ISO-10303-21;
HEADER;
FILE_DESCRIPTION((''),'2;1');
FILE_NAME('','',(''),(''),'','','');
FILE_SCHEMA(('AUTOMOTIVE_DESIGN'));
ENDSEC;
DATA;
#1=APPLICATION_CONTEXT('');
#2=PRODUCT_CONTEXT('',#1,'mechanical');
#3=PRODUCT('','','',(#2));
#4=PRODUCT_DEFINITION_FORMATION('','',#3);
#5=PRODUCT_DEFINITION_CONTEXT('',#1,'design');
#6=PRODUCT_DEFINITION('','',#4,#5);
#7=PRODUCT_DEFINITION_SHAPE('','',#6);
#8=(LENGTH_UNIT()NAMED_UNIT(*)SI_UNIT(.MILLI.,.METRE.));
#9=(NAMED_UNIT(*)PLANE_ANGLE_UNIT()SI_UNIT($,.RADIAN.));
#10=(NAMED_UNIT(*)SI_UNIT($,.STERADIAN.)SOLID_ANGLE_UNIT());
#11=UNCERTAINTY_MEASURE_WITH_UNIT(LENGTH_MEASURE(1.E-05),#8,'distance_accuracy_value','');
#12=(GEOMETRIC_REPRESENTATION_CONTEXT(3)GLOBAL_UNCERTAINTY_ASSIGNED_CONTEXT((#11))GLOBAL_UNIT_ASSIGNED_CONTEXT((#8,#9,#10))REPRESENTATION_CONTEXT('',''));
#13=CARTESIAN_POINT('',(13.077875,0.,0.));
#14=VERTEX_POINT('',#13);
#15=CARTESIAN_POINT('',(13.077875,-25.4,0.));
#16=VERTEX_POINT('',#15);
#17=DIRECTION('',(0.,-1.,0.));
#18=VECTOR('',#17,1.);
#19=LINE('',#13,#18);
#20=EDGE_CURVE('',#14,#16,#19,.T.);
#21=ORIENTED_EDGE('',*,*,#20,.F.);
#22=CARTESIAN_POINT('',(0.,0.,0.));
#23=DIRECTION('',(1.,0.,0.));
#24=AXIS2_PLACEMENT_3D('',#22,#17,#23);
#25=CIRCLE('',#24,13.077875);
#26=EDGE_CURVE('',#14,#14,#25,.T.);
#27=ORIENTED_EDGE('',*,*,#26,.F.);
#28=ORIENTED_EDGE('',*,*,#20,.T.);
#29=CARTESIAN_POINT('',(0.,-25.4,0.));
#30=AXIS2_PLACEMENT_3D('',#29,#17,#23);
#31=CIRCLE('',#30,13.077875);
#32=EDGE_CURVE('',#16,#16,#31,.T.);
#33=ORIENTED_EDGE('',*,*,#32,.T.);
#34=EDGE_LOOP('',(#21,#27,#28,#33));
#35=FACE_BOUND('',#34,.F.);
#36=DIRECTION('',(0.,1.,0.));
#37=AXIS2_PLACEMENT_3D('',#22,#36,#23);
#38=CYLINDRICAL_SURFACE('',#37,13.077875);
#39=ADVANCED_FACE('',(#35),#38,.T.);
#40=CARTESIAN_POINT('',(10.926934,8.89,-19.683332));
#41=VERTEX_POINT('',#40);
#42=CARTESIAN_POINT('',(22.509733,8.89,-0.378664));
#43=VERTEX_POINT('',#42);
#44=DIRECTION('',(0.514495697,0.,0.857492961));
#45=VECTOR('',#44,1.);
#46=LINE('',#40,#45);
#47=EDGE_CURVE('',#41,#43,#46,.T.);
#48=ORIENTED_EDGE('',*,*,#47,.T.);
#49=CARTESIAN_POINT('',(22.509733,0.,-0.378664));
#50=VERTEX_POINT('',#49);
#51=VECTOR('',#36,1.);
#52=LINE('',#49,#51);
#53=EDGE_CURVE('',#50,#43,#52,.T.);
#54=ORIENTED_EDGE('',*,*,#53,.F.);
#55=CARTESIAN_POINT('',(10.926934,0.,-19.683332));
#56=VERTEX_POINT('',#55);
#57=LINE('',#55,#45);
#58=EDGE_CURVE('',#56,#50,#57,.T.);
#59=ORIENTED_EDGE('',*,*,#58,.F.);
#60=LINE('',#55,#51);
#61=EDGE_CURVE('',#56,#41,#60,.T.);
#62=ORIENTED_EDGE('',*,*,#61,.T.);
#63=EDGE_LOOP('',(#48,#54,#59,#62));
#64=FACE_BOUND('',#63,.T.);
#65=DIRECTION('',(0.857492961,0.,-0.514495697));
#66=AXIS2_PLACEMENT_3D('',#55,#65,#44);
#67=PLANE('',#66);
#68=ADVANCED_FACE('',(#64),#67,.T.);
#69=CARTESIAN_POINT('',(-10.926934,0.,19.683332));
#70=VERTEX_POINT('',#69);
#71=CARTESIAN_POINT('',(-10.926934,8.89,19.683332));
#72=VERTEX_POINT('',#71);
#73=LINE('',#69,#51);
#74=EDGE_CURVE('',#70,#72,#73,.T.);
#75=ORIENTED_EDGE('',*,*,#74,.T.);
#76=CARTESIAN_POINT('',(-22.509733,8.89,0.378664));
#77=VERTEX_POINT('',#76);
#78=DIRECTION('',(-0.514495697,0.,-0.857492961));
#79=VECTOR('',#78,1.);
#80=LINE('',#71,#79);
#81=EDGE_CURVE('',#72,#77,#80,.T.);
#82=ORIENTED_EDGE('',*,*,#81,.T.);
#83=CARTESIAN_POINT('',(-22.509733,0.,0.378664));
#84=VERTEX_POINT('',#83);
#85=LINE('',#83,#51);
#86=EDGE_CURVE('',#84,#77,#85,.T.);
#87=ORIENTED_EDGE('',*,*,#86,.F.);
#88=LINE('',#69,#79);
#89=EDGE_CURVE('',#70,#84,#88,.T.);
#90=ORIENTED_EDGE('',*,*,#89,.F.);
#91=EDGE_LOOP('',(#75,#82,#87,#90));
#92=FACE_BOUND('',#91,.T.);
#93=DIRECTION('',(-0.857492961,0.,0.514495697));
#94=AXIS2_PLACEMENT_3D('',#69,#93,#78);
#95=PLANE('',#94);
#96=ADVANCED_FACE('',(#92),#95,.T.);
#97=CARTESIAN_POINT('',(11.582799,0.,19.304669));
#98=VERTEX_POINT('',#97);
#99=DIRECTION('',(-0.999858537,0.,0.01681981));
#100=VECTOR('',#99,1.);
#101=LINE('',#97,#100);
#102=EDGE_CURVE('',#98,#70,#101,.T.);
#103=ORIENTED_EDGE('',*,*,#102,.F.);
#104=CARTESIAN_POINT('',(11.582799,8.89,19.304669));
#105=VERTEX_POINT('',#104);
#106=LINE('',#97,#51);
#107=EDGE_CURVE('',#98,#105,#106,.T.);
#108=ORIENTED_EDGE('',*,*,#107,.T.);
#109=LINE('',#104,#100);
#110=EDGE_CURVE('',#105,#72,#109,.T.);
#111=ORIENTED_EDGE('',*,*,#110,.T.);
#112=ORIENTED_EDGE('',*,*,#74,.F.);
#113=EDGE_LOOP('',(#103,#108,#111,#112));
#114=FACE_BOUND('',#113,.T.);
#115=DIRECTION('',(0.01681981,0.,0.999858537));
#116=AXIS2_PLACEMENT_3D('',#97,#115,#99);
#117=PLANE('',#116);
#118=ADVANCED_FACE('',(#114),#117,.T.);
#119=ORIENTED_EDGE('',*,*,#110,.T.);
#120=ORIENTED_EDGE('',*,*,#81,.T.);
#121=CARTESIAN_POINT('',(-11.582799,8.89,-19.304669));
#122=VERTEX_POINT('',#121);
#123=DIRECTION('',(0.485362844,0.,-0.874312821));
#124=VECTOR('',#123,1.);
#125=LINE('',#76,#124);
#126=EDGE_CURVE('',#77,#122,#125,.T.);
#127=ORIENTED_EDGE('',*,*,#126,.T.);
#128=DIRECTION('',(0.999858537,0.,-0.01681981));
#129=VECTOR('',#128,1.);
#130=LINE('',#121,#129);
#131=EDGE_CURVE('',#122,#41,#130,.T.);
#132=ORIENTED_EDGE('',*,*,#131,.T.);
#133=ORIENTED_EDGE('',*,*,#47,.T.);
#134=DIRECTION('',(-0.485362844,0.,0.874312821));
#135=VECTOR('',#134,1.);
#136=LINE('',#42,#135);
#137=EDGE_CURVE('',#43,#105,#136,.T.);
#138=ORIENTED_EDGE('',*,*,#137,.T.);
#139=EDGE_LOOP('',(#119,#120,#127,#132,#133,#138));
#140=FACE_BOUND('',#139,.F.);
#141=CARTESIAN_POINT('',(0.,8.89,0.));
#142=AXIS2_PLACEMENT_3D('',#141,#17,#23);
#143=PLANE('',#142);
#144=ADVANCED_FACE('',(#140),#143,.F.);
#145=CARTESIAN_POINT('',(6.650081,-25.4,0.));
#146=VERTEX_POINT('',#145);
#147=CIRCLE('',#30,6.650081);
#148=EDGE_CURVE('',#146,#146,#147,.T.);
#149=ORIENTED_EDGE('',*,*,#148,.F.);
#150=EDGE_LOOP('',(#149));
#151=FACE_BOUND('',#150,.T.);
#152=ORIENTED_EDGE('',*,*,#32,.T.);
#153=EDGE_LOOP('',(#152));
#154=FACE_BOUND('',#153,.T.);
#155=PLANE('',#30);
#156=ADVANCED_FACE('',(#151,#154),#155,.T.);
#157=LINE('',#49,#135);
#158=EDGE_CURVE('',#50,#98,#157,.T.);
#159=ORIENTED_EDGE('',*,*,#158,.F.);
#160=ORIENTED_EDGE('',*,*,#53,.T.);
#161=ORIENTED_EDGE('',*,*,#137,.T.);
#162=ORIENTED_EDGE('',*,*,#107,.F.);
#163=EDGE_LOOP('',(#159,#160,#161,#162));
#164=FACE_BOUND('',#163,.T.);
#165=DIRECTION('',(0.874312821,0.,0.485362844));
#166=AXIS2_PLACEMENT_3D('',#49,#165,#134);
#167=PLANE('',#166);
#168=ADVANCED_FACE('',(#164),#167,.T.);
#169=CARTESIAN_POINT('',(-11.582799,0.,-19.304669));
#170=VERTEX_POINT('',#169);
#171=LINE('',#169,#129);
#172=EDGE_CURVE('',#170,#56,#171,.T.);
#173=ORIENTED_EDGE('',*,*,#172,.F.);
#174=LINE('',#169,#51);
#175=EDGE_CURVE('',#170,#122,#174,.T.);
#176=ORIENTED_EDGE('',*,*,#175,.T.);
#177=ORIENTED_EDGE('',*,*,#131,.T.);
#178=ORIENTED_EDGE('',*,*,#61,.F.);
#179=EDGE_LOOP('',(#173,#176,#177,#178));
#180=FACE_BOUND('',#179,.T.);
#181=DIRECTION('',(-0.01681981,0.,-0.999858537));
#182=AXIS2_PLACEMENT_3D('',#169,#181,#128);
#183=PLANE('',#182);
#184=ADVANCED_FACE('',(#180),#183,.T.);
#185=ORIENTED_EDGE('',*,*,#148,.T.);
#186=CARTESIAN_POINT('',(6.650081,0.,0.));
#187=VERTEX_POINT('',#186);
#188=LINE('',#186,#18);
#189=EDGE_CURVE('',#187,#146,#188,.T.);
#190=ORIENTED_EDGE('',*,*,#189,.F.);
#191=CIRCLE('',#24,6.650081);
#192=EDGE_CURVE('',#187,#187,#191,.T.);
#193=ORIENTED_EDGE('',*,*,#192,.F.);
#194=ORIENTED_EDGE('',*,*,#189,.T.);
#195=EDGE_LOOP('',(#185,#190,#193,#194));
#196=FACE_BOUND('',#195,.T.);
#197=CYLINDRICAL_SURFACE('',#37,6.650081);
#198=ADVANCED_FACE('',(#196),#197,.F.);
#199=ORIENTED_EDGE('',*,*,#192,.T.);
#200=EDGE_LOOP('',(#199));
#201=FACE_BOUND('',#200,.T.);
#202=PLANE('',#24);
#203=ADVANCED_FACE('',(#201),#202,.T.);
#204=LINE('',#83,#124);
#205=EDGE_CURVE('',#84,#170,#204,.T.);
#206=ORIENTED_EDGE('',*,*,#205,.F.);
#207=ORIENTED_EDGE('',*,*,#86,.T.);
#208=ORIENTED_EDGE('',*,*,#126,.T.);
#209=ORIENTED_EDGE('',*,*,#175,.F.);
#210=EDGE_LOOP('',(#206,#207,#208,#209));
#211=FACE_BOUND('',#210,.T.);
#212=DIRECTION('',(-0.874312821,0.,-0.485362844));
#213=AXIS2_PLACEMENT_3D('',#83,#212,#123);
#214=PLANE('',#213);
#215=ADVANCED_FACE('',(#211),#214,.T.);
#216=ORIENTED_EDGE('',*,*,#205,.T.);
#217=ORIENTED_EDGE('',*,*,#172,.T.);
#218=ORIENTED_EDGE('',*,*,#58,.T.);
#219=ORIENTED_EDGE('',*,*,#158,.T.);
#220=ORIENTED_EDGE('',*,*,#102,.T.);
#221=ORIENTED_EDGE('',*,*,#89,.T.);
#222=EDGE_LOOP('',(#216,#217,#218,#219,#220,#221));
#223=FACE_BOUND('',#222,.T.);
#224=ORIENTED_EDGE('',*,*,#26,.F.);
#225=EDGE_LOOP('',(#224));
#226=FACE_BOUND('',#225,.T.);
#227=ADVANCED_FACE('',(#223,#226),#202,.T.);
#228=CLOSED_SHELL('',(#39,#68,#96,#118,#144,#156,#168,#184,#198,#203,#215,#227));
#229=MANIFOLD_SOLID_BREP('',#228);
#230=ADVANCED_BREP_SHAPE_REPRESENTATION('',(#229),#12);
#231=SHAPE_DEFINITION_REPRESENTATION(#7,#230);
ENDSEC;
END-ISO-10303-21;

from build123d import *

# Parameters (mm, degrees)
F0_R     = 13.077875
F0_R_2   = 6.650081
F1_DEPTH = 25.4
F3_DEPTH = 8.89


with BuildPart() as f1:
    # F0 (on Front) → F1 (new body)
    with BuildSketch(Plane.XZ):
        Circle(F0_R)
        Circle(F0_R_2, mode=Mode.SUBTRACT)
    extrude(amount=F1_DEPTH)

    # F2 (on Front) → F3 (join)
    with BuildSketch(Plane.XZ):
        Polygon((-10.926934, 19.683332), (-22.509733, 0.378664), (-11.582799, -19.304669), (10.926934, -19.683332), (22.509733, -0.378664), (11.582799, 19.304669), align=None)
    extrude(amount=-F3_DEPTH)


solid = f1.part
